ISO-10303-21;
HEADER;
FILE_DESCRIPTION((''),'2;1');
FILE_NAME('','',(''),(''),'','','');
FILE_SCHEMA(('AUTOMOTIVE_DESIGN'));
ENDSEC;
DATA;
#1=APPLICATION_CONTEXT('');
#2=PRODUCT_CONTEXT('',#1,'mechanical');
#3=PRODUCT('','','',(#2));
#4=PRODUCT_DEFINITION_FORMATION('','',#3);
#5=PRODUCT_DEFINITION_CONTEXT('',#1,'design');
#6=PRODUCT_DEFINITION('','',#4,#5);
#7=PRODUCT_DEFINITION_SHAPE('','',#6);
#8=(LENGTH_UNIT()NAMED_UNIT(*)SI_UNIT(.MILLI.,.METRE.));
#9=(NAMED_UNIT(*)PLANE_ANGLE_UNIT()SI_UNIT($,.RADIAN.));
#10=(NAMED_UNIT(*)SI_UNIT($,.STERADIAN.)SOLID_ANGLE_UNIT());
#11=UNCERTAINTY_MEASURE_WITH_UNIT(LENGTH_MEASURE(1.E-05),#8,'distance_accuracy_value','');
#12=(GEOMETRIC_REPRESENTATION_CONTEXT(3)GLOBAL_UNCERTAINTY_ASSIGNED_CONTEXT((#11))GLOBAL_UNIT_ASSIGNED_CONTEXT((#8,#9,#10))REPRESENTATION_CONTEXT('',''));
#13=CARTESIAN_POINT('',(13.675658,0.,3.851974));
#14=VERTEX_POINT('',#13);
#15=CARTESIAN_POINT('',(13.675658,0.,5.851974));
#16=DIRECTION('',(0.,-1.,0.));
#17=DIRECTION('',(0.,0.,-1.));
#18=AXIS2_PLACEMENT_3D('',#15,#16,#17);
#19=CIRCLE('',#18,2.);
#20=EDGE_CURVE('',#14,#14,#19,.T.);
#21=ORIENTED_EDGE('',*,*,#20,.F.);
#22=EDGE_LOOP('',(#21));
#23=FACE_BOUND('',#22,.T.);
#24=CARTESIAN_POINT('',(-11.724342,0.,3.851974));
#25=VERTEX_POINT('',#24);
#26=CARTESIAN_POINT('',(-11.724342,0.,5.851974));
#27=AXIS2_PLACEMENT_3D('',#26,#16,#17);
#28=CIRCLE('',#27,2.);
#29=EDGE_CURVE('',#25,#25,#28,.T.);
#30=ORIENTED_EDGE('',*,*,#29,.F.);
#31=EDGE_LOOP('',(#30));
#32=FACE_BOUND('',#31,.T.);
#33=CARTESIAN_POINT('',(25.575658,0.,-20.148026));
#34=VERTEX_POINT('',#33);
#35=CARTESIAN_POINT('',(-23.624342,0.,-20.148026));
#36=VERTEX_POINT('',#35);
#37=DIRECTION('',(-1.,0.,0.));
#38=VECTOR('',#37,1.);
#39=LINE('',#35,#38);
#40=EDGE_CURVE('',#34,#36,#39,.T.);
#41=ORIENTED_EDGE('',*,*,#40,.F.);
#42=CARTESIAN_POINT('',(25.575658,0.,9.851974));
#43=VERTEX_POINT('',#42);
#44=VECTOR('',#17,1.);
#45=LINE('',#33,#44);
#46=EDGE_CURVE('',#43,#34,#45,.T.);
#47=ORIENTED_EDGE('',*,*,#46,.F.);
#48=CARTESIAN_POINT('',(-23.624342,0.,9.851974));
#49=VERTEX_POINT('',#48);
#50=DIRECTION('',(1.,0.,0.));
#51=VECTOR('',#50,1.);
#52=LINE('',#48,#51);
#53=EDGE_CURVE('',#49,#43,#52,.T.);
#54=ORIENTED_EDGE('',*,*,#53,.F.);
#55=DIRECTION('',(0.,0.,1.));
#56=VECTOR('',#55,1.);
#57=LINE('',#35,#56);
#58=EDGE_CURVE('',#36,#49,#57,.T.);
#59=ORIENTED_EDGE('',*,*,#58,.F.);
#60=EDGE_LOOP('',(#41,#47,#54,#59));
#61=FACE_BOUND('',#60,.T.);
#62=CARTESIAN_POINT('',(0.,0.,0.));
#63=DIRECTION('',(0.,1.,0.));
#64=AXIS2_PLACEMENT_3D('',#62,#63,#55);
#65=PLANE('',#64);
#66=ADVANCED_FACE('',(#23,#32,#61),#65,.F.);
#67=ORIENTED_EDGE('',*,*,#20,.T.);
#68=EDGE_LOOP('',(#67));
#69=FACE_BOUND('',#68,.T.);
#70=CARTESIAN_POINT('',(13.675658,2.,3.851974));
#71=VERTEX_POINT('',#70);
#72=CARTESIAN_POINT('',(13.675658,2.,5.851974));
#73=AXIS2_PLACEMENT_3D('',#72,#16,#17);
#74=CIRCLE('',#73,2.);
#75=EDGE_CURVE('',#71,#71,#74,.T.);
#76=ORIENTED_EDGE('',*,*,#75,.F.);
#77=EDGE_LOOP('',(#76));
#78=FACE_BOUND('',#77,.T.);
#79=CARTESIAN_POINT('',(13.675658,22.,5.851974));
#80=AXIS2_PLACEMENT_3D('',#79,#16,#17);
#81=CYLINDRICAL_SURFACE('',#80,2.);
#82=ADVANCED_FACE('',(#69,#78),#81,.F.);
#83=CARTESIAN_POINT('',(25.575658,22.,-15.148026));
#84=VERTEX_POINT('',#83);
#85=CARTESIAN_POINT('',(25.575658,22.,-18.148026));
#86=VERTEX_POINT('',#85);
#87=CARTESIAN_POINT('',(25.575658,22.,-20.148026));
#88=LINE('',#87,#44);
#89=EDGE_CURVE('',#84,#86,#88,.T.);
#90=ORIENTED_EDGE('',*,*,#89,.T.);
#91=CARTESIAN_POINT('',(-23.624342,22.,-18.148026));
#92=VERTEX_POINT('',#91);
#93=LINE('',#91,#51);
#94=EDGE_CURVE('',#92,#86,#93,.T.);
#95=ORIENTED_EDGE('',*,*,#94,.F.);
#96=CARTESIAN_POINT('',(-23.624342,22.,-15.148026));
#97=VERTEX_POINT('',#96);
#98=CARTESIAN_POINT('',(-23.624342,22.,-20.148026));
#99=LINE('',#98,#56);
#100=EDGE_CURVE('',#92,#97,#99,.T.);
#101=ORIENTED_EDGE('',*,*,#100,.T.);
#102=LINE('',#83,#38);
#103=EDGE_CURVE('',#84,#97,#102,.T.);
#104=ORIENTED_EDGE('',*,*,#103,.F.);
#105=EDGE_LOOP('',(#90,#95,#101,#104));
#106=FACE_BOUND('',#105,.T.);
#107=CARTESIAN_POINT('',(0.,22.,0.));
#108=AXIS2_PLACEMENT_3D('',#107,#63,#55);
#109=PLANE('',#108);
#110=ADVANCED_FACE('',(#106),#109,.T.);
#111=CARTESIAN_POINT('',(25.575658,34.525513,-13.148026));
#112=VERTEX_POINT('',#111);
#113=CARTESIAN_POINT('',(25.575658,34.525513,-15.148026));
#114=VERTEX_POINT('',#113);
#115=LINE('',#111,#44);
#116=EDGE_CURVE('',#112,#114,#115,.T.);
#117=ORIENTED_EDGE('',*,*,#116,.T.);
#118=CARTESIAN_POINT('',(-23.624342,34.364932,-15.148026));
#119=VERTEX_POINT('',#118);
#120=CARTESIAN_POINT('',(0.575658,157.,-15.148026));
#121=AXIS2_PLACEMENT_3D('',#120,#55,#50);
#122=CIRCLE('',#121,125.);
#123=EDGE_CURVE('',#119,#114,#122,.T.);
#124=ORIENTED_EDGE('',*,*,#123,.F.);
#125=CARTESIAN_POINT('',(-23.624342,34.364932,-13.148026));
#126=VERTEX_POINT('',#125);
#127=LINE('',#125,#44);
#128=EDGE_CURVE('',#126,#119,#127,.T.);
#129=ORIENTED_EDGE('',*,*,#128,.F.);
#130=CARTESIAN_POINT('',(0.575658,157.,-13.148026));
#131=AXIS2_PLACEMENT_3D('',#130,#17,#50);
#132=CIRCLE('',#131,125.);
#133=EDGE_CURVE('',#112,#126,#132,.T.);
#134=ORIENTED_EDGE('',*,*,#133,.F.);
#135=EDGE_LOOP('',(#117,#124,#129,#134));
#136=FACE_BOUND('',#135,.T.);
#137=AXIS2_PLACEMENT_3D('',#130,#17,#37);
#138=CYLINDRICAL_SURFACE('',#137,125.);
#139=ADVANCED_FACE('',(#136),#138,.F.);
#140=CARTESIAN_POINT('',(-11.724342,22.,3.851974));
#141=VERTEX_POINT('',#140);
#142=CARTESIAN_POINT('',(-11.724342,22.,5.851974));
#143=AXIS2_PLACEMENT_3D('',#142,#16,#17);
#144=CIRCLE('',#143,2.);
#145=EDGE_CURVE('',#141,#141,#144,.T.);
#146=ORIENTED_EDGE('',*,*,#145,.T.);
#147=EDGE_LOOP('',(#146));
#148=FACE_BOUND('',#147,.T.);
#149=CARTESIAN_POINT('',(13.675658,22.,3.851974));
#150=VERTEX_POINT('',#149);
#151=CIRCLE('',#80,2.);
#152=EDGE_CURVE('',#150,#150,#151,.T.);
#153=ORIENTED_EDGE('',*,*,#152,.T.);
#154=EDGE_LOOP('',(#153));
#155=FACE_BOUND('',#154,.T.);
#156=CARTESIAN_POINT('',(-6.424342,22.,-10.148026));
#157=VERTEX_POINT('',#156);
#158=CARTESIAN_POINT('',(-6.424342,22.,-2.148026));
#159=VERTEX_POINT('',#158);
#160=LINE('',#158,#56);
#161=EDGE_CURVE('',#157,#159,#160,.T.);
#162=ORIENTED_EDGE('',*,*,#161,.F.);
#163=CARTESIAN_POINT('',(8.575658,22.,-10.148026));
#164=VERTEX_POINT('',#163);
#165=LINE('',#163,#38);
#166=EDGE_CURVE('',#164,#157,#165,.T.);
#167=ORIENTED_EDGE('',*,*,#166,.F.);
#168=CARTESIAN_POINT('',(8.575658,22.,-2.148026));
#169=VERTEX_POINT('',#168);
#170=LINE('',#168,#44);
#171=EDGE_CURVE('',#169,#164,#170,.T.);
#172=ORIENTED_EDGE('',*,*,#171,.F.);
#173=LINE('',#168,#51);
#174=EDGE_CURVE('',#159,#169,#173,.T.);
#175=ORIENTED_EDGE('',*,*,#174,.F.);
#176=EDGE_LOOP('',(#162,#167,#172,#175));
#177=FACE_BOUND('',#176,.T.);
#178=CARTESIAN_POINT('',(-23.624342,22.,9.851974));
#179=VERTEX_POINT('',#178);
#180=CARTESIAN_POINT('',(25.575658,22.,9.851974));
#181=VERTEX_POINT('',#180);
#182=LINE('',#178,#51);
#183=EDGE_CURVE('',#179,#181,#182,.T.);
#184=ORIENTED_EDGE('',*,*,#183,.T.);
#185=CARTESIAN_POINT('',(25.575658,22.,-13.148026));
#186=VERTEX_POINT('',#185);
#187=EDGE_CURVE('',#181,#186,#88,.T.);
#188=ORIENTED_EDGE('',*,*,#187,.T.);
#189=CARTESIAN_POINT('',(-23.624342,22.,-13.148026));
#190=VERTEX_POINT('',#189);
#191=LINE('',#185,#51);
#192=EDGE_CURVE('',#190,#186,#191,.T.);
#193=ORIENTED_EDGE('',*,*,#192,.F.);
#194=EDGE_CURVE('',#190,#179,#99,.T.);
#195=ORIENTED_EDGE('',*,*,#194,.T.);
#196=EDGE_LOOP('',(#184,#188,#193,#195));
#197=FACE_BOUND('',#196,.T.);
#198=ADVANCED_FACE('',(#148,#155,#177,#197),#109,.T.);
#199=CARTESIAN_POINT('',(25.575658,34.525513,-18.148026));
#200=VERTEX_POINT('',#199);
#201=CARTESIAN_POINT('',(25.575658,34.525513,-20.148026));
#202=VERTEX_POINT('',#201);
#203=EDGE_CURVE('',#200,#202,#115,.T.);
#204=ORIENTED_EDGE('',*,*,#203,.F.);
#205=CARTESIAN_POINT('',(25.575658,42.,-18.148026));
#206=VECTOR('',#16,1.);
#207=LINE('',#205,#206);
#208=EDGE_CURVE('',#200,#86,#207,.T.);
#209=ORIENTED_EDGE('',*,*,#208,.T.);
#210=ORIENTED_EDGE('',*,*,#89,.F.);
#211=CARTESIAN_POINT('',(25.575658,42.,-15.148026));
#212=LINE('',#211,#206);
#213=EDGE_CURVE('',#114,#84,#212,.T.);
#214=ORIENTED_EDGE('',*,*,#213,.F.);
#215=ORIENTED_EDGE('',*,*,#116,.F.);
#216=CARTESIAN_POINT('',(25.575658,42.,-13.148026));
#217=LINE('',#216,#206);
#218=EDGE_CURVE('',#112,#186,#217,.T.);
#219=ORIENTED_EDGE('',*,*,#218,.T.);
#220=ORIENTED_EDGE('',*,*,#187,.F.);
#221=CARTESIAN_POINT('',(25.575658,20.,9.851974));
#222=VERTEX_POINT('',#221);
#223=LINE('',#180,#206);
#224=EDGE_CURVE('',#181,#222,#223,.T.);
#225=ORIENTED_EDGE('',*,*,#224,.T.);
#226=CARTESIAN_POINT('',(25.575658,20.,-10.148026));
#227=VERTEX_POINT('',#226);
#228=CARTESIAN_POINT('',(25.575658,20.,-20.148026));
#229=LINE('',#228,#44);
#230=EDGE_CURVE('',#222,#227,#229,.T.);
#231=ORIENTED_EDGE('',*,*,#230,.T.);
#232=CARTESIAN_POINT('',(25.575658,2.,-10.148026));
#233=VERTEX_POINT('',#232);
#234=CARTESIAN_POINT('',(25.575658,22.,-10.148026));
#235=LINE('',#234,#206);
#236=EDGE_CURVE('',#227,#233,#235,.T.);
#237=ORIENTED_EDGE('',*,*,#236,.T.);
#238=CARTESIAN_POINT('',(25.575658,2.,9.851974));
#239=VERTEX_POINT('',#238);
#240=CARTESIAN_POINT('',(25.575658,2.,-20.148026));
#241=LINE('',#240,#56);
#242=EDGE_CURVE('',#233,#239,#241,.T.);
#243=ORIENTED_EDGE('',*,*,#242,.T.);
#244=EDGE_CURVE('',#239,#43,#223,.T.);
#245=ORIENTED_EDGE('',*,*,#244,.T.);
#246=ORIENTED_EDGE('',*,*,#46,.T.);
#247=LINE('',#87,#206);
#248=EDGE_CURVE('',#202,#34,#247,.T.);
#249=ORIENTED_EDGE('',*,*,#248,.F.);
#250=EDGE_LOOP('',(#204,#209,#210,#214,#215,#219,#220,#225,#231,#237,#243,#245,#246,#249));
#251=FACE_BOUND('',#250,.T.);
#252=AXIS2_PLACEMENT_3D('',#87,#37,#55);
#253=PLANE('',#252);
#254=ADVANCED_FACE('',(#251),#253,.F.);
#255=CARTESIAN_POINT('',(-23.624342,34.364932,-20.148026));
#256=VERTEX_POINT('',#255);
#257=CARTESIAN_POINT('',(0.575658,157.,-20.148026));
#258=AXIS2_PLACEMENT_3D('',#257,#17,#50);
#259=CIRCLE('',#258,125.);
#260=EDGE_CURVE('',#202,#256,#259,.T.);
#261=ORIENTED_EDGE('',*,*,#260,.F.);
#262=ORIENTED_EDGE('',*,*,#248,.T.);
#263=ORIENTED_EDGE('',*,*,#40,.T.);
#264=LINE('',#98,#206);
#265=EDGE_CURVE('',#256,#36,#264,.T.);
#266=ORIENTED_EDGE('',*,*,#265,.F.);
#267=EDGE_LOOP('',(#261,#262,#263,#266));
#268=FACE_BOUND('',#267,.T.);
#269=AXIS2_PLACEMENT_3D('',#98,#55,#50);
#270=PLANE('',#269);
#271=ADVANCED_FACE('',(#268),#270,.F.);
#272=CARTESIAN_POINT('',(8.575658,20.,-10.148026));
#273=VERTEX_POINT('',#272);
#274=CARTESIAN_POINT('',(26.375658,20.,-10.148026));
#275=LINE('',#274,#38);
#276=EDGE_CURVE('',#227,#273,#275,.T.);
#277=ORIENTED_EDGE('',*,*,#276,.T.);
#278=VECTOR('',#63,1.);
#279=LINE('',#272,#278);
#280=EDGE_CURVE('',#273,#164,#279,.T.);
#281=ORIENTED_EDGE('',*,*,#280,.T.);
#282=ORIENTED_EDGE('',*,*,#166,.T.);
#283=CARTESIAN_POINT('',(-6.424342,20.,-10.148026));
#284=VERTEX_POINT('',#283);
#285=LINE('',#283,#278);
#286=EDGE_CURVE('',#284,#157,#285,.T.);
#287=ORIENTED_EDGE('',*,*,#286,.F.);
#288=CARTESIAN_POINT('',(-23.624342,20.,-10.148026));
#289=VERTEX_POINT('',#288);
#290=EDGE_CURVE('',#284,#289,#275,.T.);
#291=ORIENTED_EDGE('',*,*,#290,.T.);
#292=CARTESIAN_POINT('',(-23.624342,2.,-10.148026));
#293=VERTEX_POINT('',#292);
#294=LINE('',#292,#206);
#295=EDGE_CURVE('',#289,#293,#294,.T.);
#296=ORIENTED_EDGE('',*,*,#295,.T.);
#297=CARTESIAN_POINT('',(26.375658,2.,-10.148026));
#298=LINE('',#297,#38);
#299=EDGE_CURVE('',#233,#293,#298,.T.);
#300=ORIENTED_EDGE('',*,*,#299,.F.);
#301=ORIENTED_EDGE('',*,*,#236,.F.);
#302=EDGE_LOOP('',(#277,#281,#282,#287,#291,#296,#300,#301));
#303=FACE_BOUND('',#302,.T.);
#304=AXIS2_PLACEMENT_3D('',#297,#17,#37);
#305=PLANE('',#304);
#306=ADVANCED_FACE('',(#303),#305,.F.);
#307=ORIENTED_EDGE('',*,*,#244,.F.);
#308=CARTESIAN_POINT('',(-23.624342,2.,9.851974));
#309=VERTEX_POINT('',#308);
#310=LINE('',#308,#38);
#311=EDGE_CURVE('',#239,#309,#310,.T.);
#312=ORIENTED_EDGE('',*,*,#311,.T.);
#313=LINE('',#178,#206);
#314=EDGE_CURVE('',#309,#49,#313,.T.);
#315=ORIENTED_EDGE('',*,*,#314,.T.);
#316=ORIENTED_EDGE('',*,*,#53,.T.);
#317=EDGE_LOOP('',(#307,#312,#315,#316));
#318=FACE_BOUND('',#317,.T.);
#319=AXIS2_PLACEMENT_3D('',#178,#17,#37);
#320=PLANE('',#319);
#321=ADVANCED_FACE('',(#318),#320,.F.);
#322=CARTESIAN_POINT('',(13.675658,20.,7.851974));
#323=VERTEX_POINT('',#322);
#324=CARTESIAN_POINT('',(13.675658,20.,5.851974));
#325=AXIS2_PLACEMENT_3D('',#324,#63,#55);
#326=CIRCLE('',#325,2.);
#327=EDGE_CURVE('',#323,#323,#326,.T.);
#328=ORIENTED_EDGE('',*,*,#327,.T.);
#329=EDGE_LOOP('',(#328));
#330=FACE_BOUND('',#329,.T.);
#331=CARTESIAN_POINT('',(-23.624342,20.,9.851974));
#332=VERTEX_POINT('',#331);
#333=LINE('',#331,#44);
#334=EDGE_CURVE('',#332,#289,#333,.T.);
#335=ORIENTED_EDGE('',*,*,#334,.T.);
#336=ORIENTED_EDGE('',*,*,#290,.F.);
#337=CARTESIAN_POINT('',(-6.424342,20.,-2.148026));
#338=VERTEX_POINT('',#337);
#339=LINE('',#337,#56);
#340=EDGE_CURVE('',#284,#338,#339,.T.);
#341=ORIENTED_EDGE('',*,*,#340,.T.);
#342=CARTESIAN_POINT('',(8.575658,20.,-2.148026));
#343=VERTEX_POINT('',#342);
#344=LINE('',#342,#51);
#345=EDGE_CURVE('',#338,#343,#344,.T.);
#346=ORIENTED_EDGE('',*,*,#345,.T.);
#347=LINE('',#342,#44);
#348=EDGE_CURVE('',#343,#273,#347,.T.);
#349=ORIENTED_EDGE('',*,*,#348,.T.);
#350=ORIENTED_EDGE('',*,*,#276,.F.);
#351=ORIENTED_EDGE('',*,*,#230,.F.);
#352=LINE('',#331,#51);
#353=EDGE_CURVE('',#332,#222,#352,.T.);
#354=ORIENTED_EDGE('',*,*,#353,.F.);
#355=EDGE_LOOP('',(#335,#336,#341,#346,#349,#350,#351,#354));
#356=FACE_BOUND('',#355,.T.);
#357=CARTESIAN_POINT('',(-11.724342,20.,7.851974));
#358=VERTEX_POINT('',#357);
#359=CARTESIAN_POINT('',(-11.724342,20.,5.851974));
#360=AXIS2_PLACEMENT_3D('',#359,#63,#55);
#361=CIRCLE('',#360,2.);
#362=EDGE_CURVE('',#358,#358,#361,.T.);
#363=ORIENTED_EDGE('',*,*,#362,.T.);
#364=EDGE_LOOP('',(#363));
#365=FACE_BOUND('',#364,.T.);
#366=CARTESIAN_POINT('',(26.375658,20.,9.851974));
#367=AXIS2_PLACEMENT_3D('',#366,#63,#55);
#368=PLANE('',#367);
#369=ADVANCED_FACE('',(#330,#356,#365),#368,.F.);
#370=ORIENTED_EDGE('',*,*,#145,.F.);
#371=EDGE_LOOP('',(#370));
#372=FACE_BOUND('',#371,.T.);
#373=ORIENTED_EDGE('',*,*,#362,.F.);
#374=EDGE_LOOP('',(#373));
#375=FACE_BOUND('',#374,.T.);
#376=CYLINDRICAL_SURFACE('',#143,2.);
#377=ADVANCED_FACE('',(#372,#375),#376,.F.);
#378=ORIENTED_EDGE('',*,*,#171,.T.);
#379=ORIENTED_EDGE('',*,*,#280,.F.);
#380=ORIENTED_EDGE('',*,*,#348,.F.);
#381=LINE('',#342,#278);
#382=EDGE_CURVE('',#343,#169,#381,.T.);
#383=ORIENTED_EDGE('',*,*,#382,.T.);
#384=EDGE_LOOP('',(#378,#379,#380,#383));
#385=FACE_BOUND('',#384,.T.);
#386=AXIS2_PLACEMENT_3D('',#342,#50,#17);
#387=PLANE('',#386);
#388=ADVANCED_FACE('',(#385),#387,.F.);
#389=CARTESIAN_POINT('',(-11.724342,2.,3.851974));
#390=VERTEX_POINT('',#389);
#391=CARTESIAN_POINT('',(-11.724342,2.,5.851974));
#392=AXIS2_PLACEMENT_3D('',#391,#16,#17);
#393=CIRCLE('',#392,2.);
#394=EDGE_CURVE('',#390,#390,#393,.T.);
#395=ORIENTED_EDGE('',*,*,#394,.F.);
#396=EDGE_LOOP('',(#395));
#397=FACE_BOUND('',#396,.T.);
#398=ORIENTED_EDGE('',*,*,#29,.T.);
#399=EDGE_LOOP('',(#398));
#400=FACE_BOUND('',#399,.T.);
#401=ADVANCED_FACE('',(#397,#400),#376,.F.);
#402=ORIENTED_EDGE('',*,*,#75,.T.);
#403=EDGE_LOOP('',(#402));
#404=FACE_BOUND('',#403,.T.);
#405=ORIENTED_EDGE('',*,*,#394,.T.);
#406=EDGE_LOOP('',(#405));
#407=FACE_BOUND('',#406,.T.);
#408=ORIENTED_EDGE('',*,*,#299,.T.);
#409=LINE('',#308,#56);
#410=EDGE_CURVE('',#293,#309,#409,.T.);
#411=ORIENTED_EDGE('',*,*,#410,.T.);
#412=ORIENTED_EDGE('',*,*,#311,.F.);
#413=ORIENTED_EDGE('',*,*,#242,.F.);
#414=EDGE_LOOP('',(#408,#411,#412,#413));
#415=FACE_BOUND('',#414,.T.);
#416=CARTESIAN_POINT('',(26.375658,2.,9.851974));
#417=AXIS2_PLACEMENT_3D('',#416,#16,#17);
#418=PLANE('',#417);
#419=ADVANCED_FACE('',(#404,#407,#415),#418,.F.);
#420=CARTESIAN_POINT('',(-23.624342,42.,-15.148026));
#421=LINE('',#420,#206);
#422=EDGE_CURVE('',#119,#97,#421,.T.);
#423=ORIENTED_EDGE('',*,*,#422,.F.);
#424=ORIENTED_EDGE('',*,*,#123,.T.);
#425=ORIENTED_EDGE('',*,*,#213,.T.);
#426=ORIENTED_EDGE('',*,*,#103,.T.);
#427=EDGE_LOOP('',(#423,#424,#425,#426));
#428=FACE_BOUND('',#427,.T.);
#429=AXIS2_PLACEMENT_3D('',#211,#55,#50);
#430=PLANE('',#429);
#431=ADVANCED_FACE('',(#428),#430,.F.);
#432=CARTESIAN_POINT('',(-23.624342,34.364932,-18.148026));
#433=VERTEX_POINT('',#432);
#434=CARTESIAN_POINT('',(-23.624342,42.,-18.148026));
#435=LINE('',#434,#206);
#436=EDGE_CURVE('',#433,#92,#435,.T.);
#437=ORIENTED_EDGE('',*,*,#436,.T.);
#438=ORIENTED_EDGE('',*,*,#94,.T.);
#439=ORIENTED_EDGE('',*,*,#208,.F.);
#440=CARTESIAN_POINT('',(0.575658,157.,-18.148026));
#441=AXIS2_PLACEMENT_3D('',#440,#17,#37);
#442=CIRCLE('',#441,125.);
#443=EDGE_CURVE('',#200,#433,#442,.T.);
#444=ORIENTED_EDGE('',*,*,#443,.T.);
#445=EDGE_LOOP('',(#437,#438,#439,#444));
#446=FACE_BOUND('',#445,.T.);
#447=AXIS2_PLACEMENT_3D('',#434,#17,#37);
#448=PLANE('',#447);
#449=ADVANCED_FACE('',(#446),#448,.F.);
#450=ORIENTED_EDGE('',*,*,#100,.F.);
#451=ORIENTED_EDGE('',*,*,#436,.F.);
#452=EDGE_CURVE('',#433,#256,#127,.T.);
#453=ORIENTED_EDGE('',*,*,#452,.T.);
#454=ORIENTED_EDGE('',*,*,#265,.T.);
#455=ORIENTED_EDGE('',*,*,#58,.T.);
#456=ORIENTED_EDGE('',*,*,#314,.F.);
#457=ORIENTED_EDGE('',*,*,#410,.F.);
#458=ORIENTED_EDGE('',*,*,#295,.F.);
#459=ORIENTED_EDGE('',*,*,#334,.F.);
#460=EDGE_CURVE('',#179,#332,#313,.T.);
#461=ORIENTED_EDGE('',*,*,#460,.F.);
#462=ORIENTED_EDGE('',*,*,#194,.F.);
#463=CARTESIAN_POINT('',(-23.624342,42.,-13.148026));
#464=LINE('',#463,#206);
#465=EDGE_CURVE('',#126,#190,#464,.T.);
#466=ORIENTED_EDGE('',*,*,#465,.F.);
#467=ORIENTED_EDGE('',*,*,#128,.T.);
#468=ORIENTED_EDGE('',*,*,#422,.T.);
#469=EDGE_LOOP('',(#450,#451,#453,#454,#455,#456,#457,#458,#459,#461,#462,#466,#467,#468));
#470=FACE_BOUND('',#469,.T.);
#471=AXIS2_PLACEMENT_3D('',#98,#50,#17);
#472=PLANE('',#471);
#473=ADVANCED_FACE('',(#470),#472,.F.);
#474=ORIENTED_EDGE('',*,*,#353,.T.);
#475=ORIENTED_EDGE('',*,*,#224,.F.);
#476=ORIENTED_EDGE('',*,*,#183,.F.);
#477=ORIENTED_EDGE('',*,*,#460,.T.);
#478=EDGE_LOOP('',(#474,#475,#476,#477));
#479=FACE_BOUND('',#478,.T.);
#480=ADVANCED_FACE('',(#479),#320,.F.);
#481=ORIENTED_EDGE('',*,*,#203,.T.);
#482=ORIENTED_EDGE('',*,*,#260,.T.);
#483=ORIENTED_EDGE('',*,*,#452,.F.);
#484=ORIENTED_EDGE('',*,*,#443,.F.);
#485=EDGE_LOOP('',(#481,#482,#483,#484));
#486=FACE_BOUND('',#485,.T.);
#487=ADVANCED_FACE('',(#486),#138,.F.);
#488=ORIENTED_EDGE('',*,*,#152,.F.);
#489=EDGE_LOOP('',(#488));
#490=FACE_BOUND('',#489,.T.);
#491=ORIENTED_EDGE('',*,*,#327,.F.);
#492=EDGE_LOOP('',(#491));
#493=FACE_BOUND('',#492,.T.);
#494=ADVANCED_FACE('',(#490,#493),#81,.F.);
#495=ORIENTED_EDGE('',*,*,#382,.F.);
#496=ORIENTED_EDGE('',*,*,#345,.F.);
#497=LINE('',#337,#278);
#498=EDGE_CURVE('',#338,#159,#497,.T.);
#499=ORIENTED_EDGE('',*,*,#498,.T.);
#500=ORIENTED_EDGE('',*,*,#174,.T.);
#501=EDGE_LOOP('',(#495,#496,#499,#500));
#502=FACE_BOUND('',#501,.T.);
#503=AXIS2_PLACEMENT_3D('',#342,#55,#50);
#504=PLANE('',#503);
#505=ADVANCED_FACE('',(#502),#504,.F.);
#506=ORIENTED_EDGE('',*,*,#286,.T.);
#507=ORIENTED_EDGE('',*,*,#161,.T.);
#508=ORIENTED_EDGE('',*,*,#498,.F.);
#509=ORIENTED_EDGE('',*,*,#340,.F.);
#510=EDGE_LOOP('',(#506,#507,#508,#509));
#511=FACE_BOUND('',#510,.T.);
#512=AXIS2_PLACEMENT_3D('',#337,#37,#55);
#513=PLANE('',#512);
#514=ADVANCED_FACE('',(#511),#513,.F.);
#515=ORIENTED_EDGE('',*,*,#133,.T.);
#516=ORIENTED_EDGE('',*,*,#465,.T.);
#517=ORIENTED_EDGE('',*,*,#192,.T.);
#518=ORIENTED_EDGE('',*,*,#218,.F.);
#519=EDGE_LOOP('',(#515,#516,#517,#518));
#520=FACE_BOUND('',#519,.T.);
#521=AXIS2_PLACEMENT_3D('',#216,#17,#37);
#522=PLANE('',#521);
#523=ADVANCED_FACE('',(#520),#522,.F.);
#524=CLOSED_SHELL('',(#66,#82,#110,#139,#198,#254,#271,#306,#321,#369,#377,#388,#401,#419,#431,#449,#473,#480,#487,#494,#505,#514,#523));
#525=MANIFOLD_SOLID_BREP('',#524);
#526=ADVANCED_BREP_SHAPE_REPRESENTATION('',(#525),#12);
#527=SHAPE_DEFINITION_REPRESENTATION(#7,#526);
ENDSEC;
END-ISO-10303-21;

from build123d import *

# Parameters (mm, degrees)
SKETCH_1_W          = 49.2
SKETCH_1_H          = 30
EXTRUDE_1_DEPTH     = 22
SKETCH_2_W          = 49.2
SKETCH_2_H          = 2
EXTRUDE_2_DEPTH     = 20
CUT_EXTRUDE_1_DEPTH = 7
SKETCH_4_W          = 20
SKETCH_4_H          = 18
CUT_EXTRUDE_2_DEPTH = 50
SKETCH_5_R          = 2
CUT_EXTRUDE_3_DEPTH = 22
SKETCH_7_W          = 15
SKETCH_7_H          = 8
CUT_EXTRUDE_4_DEPTH = 2


with BuildPart() as part:
    # 스케치1 → 보스-돌출1 (new body)
    with BuildSketch(Plane(origin=(0, 0, 0), x_dir=(1, 0, 0), z_dir=(0, 1, 0))):
        with Locations((0.975657895, 5.148026316)):
            Rectangle(SKETCH_1_W, SKETCH_1_H)
    extrude(amount=EXTRUDE_1_DEPTH)

    # 스케치2 → 보스-돌출2 (add)
    with BuildSketch(Plane(origin=(0, 22, 0), x_dir=(1, 0, 0), z_dir=(0, 1, 0))):
        with Locations((0.975657895, 19.148026316)):
            Rectangle(SKETCH_2_W, SKETCH_2_H)
        with Locations((0.975657895, 14.148026316)):
            Rectangle(SKETCH_2_W, SKETCH_2_H)
    extrude(amount=EXTRUDE_2_DEPTH)

    # 스케치3 → 컷-돌출1 (cut)
    with BuildSketch(Plane(origin=(0, 0, -20.148026316), x_dir=(-1, 0, 0), z_dir=(0, 0, -1))):
        with BuildLine():
            Line((-25.575657895, 42), (23.624342105, 42))
            Line((23.624342105, 42), (23.624342105, 34.364931606))
            ThreePointArc((23.624342105, 34.364931606), (-0.983636552, 32.000665788), (-25.575657895, 34.525512861))
            Line((-25.575657895, 34.525512861), (-25.575657895, 42))
        make_face()
    extrude(amount=-CUT_EXTRUDE_1_DEPTH, mode=Mode.SUBTRACT)

    # 스케치4 → 컷-돌출2 (cut)
    with BuildSketch(Plane.ZY.offset(23.624342105)):
        with Locations((-0.148026316, 11)):
            Rectangle(SKETCH_4_W, SKETCH_4_H)
    extrude(amount=-CUT_EXTRUDE_2_DEPTH, mode=Mode.SUBTRACT)

    # 스케치5 → 컷-돌출3 (cut)
    with BuildSketch(Plane.XZ):
        with Locations((13.675657895, 5.851973684)):
            Circle(SKETCH_5_R)
        with Locations((-11.724342105, 5.851973684)):
            Circle(SKETCH_5_R)
    extrude(amount=-CUT_EXTRUDE_3_DEPTH, mode=Mode.SUBTRACT)

    # 스케치7 → 컷-돌출4 (cut)
    with BuildSketch(Plane(origin=(0, 22, 0), x_dir=(1, 0, 0), z_dir=(0, 1, 0))):
        with Locations((1.075657895, 6.148026316)):
            Rectangle(SKETCH_7_W, SKETCH_7_H)
    extrude(amount=-CUT_EXTRUDE_4_DEPTH, mode=Mode.SUBTRACT)


solid = part.part
